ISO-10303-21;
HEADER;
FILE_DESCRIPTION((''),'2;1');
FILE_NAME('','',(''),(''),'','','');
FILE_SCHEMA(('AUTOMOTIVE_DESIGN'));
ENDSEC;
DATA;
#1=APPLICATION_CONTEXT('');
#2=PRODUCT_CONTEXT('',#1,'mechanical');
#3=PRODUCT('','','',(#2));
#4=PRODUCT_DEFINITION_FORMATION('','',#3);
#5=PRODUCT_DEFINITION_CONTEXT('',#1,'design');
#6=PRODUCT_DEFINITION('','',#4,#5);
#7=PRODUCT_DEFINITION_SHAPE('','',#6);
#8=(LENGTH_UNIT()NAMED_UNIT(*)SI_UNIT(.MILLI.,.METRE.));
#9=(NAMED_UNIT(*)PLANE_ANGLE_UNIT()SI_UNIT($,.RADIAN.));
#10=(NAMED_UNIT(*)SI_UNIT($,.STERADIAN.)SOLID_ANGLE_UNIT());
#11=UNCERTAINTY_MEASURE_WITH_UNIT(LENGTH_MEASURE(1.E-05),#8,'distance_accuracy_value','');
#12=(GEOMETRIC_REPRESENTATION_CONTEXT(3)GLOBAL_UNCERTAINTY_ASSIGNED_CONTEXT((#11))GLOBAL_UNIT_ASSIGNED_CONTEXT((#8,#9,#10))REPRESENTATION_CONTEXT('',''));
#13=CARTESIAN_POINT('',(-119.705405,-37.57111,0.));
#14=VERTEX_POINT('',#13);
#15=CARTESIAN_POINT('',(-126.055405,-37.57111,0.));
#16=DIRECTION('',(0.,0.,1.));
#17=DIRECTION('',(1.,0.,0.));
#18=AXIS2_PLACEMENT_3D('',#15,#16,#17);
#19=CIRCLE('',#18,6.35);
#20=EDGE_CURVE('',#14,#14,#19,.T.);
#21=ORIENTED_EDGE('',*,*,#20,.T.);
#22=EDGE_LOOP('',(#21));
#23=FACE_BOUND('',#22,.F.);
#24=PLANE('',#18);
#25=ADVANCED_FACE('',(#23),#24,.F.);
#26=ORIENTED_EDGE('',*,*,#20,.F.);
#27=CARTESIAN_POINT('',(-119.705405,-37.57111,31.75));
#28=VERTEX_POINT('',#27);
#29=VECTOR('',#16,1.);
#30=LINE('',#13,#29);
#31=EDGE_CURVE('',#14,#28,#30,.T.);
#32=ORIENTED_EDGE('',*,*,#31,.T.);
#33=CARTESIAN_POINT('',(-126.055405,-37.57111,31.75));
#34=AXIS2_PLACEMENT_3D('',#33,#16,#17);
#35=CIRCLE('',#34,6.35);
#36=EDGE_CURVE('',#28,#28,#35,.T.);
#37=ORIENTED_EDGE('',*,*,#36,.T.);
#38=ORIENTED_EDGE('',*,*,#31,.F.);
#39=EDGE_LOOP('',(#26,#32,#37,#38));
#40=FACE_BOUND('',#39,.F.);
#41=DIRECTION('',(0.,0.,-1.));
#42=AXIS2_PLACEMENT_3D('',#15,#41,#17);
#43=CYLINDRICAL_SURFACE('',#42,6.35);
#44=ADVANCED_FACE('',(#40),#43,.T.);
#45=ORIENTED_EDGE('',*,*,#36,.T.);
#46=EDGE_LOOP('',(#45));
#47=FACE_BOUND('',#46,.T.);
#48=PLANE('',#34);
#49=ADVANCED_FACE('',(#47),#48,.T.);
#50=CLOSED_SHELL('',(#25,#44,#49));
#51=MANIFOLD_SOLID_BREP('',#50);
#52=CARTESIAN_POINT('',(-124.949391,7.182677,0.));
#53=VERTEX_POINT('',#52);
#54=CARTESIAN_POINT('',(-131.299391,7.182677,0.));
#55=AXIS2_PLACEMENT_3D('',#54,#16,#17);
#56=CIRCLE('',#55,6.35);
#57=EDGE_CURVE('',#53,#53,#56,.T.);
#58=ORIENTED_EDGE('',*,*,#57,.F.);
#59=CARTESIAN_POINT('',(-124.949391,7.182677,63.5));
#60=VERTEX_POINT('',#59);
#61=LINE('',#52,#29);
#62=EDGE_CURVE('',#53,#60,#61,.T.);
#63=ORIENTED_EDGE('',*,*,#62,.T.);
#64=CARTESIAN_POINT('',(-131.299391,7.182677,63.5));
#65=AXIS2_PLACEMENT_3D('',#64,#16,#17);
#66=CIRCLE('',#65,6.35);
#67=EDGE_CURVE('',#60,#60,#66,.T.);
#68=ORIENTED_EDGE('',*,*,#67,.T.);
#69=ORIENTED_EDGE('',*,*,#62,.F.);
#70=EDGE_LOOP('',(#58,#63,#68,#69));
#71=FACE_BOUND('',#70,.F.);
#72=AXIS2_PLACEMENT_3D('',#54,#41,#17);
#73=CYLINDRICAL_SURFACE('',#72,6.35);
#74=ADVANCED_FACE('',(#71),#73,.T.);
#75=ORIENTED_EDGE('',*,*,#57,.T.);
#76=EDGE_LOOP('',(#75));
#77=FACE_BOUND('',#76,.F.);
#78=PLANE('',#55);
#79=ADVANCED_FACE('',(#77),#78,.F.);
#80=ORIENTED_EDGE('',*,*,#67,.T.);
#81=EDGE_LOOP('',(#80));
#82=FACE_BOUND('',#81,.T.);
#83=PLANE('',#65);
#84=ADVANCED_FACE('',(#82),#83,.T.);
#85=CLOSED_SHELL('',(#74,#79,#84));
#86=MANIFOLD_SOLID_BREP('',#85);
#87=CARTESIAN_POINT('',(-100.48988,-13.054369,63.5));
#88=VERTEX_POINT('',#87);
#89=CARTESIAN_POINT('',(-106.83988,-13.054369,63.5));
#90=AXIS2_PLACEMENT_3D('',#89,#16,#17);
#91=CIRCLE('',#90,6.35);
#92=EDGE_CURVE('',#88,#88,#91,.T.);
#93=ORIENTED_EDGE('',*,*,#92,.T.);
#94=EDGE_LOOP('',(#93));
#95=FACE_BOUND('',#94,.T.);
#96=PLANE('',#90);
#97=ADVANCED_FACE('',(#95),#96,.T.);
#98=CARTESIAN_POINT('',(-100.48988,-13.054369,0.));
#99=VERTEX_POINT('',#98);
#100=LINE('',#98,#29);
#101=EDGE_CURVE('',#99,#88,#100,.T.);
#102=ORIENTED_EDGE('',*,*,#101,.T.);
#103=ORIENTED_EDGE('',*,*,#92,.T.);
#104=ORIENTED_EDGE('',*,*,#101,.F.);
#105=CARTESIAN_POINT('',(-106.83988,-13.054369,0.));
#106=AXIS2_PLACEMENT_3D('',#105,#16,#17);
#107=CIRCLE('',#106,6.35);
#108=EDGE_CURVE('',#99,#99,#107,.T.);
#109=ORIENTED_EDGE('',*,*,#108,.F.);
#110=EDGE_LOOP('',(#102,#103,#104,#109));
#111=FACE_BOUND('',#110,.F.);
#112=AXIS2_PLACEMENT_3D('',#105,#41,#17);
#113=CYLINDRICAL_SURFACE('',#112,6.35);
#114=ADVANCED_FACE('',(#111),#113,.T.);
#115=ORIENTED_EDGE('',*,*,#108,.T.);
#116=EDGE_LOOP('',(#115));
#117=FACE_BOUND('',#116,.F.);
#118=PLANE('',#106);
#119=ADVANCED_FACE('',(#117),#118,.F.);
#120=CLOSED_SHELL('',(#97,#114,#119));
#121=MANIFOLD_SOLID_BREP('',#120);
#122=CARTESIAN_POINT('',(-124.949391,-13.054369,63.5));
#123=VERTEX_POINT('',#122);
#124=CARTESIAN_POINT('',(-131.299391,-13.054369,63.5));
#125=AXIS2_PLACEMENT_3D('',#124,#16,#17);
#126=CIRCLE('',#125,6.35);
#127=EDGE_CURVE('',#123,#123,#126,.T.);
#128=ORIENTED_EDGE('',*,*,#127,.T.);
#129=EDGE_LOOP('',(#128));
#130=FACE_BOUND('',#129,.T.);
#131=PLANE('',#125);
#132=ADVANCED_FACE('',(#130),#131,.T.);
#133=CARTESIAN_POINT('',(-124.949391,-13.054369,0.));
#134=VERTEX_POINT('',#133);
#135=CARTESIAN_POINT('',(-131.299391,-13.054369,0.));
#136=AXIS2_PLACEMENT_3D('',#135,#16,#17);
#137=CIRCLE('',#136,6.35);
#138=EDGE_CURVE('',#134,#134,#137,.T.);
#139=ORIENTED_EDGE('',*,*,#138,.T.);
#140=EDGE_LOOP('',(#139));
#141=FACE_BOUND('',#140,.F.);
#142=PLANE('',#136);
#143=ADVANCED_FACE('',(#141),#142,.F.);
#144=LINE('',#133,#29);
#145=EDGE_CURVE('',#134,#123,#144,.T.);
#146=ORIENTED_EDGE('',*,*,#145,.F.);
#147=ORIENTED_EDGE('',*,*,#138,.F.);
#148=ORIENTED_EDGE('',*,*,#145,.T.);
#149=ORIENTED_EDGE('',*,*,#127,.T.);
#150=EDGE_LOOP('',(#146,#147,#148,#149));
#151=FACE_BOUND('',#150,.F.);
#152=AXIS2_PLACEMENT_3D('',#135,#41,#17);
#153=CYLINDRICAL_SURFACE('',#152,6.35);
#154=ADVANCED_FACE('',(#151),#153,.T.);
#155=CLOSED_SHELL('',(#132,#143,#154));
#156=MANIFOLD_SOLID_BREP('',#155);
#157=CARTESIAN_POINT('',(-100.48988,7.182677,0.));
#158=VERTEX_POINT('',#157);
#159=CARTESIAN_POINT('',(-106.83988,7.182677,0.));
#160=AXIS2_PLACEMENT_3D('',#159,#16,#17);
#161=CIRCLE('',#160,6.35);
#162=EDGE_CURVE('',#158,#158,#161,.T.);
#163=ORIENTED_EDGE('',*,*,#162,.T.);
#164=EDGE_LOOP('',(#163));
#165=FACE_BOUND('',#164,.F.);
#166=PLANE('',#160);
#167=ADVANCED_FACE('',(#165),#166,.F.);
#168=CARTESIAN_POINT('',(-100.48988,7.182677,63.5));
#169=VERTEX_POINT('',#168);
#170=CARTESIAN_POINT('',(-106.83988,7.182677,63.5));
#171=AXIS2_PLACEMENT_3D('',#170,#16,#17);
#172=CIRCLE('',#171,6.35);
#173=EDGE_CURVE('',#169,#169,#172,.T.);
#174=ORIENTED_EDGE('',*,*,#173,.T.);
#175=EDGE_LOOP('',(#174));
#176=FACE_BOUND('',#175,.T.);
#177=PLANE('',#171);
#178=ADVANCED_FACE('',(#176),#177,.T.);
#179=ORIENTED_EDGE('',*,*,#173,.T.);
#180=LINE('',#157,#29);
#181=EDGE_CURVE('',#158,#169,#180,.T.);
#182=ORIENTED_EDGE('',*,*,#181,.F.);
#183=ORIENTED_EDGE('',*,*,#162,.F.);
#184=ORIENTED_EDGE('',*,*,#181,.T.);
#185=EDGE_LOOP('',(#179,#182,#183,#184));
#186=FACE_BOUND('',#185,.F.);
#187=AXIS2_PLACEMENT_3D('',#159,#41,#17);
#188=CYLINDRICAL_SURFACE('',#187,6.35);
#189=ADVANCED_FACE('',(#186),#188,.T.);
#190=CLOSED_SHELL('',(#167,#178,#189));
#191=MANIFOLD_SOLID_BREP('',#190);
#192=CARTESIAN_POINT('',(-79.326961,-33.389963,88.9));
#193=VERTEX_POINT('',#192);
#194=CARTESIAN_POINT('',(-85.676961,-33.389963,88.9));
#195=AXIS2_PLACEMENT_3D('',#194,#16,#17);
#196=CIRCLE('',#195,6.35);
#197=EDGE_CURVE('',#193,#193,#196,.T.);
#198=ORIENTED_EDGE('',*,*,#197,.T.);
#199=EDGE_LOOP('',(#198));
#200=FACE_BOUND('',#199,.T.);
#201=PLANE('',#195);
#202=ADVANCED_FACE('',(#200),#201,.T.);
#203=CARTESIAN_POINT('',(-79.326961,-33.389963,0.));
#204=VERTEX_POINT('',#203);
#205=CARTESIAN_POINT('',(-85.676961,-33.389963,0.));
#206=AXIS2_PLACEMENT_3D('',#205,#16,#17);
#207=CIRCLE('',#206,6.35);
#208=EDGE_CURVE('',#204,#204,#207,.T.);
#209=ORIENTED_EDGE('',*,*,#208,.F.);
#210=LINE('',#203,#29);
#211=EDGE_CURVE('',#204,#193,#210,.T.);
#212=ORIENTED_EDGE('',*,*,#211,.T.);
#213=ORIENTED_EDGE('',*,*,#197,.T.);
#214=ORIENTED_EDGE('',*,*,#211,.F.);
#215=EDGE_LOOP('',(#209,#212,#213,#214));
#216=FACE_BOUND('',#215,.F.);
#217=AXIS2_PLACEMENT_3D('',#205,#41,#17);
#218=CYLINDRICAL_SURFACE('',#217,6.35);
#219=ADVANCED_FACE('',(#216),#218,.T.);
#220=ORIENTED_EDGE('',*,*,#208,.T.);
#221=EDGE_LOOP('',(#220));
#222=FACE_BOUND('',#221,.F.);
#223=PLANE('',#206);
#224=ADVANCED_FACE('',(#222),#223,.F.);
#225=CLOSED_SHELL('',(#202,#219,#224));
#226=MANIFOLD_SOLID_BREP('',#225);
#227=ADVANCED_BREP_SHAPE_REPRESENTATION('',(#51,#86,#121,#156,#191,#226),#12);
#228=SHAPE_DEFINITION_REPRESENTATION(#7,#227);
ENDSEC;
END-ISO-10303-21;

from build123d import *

# Parameters (mm, degrees)
F0_R     = 6.35
F1_DEPTH = 63.5
F2_DEPTH = 63.5
F3_DEPTH = 31.75
F4_DEPTH = 88.9


with BuildPart() as f1:
    # F0 (on Top) → F1 (new body)
    with BuildSketch(Plane.XY):
        with Locations((-131.299391, 7.182677)):
            Circle(F0_R)
    extrude(amount=F1_DEPTH)


with BuildPart() as f2:
    # F0 (on Top) → F2 (new body)
    with BuildSketch(Plane.XY):
        with Locations((-106.83988, 7.182677)):
            Circle(F0_R)
        with Locations((-131.299391, -13.054369)):
            Circle(F0_R)
        with Locations((-106.83988, -13.054369)):
            Circle(F0_R)
    extrude(amount=F2_DEPTH)


with BuildPart() as f3:
    # F0 (on Top) → F3 (new body)
    with BuildSketch(Plane.XY):
        with Locations((-126.055405, -37.57111)):
            Circle(F0_R)
    extrude(amount=F3_DEPTH)


with BuildPart() as f4:
    # F0 (on Top) → F4 (new body)
    with BuildSketch(Plane.XY):
        with Locations((-85.676961, -33.389963)):
            Circle(F0_R)
    extrude(amount=F4_DEPTH)


solid = Compound([f1.part, f2.part, f3.part, f4.part])
